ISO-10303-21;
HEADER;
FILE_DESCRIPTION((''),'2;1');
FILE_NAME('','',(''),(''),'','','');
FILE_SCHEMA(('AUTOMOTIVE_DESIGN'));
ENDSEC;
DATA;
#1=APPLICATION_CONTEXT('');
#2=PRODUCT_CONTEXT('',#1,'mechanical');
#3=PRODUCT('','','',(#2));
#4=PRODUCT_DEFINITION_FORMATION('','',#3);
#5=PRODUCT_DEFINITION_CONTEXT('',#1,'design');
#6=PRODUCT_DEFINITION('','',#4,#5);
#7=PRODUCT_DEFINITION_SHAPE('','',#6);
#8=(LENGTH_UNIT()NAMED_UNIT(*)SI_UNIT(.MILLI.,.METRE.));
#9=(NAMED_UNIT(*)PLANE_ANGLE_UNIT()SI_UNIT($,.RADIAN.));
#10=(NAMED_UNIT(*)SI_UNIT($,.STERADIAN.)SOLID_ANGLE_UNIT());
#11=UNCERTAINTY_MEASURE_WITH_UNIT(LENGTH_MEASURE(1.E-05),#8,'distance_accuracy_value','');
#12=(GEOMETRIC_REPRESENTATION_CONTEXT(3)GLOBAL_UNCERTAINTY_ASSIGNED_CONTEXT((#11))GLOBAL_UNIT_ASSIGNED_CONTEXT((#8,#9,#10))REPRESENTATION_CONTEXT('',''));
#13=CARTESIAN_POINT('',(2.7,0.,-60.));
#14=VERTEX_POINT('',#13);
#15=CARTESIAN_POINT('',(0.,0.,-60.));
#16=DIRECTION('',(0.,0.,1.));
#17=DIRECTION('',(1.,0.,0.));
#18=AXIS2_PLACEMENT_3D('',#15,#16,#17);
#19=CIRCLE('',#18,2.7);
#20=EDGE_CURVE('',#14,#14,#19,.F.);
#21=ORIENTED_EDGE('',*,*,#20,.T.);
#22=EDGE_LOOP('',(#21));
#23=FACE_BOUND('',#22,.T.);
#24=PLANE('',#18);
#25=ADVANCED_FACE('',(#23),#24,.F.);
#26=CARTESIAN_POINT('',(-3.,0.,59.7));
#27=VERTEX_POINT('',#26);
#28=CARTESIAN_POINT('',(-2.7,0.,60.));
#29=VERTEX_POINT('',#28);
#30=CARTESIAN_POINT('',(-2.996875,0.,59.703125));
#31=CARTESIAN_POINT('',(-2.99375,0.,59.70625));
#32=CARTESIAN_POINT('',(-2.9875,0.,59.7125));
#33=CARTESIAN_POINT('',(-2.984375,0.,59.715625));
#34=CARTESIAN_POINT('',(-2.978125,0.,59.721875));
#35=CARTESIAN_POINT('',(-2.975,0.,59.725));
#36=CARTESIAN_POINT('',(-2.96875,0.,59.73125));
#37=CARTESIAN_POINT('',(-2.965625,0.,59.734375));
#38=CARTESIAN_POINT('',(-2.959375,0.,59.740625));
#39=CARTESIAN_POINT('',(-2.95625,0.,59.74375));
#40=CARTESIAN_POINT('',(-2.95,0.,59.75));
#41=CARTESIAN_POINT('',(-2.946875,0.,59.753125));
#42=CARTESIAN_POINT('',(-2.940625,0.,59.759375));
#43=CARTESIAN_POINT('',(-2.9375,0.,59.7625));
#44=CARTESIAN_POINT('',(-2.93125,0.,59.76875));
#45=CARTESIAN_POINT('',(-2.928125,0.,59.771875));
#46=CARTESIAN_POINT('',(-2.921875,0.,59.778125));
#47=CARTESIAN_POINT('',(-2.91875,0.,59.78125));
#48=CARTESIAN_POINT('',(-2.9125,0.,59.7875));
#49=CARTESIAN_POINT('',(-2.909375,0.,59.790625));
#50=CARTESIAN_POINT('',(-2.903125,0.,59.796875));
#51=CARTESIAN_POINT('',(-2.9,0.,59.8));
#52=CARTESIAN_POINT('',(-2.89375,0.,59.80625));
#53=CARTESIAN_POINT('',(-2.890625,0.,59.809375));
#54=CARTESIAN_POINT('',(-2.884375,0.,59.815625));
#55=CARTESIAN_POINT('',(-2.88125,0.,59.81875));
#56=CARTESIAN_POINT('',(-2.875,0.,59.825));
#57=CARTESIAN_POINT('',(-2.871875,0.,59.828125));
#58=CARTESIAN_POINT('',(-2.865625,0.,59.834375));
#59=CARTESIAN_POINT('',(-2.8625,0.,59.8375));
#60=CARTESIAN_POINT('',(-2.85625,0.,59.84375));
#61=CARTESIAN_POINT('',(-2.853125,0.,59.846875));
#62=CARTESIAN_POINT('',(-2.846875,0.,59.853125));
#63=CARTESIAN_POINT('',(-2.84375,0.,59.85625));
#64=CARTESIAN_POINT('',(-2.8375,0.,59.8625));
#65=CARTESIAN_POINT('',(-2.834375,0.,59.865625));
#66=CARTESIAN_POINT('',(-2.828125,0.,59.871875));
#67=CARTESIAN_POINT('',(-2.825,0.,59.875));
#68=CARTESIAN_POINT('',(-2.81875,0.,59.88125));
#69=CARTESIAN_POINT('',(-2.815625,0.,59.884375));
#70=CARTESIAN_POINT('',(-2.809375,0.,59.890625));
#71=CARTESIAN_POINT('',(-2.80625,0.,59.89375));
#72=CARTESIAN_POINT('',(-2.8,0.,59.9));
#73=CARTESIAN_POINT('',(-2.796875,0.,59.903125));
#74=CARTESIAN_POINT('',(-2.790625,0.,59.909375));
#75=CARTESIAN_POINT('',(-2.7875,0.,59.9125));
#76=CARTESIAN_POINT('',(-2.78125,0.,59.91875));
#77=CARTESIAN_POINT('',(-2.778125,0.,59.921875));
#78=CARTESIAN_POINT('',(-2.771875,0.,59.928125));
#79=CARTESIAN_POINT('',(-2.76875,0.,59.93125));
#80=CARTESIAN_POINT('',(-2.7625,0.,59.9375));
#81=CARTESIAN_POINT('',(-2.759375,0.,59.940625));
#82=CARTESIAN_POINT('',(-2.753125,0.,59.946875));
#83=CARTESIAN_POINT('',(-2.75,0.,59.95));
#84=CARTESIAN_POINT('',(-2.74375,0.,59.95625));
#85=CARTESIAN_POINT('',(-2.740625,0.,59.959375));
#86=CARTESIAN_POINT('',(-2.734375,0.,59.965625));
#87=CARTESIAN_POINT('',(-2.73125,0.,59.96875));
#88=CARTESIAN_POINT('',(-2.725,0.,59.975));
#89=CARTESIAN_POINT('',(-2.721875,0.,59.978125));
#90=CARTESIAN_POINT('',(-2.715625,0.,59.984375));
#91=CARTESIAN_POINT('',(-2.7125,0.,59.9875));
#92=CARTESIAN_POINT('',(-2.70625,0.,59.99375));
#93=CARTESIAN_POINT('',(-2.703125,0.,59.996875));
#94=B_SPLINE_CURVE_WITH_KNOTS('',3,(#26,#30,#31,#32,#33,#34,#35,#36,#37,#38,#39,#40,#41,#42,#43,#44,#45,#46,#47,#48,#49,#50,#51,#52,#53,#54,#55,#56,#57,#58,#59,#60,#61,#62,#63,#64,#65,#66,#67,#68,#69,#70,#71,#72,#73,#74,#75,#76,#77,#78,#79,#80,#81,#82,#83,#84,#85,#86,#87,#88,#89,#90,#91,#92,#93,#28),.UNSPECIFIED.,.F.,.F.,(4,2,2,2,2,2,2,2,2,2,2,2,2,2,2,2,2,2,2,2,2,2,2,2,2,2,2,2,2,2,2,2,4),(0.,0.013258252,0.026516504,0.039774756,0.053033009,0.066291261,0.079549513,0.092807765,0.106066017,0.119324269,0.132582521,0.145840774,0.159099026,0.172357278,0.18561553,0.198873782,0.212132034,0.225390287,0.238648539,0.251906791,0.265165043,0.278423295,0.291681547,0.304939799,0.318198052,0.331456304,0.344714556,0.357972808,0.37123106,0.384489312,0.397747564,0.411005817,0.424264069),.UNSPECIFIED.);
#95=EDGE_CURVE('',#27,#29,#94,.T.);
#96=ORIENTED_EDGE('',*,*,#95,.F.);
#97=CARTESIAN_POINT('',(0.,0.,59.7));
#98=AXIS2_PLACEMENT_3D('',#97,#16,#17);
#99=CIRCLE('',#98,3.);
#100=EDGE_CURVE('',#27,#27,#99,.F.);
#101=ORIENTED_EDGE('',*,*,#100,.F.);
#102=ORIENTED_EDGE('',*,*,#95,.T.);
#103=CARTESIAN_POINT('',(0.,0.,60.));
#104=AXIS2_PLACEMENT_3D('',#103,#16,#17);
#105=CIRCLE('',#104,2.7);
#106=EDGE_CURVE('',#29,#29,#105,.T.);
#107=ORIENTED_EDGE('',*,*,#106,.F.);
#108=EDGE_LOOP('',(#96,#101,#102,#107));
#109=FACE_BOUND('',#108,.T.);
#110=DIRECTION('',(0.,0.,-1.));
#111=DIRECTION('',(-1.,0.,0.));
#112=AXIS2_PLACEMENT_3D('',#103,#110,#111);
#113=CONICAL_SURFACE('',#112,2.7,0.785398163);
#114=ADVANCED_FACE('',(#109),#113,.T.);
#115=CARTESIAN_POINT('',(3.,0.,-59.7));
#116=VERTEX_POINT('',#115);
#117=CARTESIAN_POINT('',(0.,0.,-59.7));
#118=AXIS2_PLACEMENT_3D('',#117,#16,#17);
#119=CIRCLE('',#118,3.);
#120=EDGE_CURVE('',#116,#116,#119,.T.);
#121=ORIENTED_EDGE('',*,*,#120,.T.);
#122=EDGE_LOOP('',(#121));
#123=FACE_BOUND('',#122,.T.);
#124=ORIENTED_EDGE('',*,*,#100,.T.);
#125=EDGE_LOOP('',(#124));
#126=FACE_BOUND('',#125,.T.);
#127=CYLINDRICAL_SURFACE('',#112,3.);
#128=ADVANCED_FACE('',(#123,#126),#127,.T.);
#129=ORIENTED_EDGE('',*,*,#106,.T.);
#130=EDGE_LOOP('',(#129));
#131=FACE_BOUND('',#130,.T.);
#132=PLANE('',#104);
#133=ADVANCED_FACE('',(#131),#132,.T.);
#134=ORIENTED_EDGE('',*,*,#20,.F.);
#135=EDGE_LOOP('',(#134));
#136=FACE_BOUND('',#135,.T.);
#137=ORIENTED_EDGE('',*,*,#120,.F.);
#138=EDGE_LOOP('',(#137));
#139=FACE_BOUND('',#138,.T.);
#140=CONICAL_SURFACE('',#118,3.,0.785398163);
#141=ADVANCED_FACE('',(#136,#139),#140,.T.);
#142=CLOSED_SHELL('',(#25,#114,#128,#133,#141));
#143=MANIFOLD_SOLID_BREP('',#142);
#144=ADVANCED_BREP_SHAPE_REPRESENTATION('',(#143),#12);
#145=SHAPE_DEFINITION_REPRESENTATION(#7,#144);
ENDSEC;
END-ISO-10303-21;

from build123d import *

# Parameters (mm, degrees)
SKETCH_1_R      = 3
EXTRUDE_1_DEPTH = 60
CHAMFER_1_SIZE  = 0.3
CHAMFER_2_SIZE  = 0.3


with BuildPart() as part:
    # 草图1 → 凸台-拉伸1 (new, symmetric)
    with BuildSketch(Plane.XY):
        Circle(SKETCH_1_R)
    extrude(amount=EXTRUDE_1_DEPTH, both=True)

    # 倒角1
    chamfer_1_edges = [part.edges().sort_by_distance(p)[0] for p in [
        (-3, 0, 60),
    ]]
    chamfer(chamfer_1_edges, length=CHAMFER_1_SIZE)

    # 倒角2
    chamfer_2_edges = [part.edges().sort_by_distance(p)[0] for p in [
        (-3, 0, -60),
    ]]
    chamfer(chamfer_2_edges, length=CHAMFER_2_SIZE)


solid = part.part
